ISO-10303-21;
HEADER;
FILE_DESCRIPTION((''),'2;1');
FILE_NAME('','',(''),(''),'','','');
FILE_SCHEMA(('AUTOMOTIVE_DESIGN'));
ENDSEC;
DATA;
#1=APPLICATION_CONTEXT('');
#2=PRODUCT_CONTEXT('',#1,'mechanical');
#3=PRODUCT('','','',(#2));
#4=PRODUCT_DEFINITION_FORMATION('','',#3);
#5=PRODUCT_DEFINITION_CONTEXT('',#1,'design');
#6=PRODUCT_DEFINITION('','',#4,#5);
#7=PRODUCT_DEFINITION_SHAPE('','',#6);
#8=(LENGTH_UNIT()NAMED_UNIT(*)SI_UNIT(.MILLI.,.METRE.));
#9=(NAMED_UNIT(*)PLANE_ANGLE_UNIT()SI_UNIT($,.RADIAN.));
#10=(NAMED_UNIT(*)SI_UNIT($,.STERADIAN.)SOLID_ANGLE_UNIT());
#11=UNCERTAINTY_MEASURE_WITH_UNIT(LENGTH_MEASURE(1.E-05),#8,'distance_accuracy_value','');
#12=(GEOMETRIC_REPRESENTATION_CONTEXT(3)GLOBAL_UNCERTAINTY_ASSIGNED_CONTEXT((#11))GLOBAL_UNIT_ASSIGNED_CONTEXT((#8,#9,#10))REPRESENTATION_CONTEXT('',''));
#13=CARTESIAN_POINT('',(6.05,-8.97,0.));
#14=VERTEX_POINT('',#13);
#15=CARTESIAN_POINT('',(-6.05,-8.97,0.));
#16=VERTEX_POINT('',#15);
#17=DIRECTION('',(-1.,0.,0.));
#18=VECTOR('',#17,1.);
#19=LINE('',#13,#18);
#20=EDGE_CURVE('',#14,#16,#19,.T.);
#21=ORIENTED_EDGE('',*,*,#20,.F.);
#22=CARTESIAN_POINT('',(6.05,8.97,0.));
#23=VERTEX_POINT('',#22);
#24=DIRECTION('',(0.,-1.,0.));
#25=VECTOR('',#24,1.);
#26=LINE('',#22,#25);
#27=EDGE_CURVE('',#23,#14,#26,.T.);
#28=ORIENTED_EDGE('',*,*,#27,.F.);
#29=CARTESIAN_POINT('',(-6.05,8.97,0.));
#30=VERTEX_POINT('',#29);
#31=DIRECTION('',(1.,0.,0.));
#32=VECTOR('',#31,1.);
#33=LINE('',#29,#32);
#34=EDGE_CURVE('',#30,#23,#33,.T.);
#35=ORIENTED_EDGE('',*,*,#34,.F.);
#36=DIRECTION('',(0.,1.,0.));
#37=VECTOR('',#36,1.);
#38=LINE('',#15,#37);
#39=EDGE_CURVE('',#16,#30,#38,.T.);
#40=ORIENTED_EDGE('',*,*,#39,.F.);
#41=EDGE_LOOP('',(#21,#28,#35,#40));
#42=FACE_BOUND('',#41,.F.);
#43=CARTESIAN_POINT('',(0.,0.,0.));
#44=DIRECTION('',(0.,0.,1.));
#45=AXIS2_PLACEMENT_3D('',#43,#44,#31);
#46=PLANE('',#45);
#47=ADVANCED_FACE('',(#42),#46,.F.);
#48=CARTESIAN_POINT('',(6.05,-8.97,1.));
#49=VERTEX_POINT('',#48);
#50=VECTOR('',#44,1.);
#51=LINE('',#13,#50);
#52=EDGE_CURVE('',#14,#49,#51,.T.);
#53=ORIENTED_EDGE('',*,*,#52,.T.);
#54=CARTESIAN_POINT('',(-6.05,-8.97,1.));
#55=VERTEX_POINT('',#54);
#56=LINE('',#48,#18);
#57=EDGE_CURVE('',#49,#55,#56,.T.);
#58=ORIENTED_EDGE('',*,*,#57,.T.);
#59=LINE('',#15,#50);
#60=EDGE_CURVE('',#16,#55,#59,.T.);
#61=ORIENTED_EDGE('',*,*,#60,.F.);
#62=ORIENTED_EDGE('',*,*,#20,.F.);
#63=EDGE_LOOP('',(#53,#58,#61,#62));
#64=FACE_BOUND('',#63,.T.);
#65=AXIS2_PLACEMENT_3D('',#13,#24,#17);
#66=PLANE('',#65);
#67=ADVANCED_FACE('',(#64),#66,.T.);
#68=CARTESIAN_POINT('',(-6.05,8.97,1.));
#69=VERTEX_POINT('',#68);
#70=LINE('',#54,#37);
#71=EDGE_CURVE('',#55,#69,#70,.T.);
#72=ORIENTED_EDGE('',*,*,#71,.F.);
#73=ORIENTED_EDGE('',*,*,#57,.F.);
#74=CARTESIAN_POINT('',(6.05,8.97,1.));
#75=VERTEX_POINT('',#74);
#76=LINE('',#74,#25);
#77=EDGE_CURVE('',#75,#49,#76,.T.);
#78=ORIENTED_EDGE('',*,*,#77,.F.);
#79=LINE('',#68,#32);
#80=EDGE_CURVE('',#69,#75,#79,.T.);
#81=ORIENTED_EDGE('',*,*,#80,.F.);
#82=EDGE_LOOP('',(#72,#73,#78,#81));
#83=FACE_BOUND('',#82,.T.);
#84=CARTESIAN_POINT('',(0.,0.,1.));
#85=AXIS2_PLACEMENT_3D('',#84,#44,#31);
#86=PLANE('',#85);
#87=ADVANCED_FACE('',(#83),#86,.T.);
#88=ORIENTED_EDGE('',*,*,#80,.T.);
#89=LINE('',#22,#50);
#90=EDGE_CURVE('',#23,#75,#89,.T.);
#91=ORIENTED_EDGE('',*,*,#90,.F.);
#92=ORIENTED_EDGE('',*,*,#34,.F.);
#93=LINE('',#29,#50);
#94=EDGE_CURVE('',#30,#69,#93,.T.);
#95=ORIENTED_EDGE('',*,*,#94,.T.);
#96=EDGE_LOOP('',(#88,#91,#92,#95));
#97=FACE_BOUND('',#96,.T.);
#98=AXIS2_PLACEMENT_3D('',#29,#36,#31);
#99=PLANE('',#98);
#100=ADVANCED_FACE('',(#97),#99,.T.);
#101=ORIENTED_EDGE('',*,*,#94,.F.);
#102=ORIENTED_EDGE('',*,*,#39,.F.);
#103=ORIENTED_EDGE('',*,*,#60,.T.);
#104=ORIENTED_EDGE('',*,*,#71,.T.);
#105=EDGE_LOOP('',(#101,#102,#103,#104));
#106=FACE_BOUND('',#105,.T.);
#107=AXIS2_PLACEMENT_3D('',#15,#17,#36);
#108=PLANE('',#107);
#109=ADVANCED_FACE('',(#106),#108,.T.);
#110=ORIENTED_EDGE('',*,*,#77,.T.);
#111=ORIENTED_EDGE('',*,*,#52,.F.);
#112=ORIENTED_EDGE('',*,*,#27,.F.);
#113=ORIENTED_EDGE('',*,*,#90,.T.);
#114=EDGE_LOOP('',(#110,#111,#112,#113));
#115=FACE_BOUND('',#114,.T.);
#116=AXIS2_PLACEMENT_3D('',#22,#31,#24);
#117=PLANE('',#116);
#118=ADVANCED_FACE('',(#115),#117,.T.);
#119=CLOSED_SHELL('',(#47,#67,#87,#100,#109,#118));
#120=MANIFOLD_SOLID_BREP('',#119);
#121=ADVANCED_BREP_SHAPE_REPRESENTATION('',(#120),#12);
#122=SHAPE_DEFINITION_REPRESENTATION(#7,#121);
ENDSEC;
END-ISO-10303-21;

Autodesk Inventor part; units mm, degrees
ref_plane "YZ Plane" through (0, 0, 0) normal (1, 0, 0) x (0, 1, 0)
ref_plane "XZ Plane" through (0, 0, 0) normal (0, 1, 0) x (-1, 0, 0)
ref_plane "XY Plane" through (0, 0, 0) normal (0, 0, 1) x (1, 0, 0)
sketch "SATA_PLUG, SATA_PLUG_55" plane through (0, 0, 0) normal (0, 0, 1) x (1, 0, 0)
  line L0 (-6.05, -8.97) -> (-6.05, 8.97)
  line L1 (-6.05, 8.97) -> (6.05, 8.97)
  line L2 (6.05, 8.97) -> (6.05, -8.97)
  line L3 (6.05, -8.97) -> (-6.05, -8.97)
extrude "Extrusion1" add sketch "SATA_PLUG, SATA_PLUG_55" along normal blind 1
properties part number "SATA_PLUG"
